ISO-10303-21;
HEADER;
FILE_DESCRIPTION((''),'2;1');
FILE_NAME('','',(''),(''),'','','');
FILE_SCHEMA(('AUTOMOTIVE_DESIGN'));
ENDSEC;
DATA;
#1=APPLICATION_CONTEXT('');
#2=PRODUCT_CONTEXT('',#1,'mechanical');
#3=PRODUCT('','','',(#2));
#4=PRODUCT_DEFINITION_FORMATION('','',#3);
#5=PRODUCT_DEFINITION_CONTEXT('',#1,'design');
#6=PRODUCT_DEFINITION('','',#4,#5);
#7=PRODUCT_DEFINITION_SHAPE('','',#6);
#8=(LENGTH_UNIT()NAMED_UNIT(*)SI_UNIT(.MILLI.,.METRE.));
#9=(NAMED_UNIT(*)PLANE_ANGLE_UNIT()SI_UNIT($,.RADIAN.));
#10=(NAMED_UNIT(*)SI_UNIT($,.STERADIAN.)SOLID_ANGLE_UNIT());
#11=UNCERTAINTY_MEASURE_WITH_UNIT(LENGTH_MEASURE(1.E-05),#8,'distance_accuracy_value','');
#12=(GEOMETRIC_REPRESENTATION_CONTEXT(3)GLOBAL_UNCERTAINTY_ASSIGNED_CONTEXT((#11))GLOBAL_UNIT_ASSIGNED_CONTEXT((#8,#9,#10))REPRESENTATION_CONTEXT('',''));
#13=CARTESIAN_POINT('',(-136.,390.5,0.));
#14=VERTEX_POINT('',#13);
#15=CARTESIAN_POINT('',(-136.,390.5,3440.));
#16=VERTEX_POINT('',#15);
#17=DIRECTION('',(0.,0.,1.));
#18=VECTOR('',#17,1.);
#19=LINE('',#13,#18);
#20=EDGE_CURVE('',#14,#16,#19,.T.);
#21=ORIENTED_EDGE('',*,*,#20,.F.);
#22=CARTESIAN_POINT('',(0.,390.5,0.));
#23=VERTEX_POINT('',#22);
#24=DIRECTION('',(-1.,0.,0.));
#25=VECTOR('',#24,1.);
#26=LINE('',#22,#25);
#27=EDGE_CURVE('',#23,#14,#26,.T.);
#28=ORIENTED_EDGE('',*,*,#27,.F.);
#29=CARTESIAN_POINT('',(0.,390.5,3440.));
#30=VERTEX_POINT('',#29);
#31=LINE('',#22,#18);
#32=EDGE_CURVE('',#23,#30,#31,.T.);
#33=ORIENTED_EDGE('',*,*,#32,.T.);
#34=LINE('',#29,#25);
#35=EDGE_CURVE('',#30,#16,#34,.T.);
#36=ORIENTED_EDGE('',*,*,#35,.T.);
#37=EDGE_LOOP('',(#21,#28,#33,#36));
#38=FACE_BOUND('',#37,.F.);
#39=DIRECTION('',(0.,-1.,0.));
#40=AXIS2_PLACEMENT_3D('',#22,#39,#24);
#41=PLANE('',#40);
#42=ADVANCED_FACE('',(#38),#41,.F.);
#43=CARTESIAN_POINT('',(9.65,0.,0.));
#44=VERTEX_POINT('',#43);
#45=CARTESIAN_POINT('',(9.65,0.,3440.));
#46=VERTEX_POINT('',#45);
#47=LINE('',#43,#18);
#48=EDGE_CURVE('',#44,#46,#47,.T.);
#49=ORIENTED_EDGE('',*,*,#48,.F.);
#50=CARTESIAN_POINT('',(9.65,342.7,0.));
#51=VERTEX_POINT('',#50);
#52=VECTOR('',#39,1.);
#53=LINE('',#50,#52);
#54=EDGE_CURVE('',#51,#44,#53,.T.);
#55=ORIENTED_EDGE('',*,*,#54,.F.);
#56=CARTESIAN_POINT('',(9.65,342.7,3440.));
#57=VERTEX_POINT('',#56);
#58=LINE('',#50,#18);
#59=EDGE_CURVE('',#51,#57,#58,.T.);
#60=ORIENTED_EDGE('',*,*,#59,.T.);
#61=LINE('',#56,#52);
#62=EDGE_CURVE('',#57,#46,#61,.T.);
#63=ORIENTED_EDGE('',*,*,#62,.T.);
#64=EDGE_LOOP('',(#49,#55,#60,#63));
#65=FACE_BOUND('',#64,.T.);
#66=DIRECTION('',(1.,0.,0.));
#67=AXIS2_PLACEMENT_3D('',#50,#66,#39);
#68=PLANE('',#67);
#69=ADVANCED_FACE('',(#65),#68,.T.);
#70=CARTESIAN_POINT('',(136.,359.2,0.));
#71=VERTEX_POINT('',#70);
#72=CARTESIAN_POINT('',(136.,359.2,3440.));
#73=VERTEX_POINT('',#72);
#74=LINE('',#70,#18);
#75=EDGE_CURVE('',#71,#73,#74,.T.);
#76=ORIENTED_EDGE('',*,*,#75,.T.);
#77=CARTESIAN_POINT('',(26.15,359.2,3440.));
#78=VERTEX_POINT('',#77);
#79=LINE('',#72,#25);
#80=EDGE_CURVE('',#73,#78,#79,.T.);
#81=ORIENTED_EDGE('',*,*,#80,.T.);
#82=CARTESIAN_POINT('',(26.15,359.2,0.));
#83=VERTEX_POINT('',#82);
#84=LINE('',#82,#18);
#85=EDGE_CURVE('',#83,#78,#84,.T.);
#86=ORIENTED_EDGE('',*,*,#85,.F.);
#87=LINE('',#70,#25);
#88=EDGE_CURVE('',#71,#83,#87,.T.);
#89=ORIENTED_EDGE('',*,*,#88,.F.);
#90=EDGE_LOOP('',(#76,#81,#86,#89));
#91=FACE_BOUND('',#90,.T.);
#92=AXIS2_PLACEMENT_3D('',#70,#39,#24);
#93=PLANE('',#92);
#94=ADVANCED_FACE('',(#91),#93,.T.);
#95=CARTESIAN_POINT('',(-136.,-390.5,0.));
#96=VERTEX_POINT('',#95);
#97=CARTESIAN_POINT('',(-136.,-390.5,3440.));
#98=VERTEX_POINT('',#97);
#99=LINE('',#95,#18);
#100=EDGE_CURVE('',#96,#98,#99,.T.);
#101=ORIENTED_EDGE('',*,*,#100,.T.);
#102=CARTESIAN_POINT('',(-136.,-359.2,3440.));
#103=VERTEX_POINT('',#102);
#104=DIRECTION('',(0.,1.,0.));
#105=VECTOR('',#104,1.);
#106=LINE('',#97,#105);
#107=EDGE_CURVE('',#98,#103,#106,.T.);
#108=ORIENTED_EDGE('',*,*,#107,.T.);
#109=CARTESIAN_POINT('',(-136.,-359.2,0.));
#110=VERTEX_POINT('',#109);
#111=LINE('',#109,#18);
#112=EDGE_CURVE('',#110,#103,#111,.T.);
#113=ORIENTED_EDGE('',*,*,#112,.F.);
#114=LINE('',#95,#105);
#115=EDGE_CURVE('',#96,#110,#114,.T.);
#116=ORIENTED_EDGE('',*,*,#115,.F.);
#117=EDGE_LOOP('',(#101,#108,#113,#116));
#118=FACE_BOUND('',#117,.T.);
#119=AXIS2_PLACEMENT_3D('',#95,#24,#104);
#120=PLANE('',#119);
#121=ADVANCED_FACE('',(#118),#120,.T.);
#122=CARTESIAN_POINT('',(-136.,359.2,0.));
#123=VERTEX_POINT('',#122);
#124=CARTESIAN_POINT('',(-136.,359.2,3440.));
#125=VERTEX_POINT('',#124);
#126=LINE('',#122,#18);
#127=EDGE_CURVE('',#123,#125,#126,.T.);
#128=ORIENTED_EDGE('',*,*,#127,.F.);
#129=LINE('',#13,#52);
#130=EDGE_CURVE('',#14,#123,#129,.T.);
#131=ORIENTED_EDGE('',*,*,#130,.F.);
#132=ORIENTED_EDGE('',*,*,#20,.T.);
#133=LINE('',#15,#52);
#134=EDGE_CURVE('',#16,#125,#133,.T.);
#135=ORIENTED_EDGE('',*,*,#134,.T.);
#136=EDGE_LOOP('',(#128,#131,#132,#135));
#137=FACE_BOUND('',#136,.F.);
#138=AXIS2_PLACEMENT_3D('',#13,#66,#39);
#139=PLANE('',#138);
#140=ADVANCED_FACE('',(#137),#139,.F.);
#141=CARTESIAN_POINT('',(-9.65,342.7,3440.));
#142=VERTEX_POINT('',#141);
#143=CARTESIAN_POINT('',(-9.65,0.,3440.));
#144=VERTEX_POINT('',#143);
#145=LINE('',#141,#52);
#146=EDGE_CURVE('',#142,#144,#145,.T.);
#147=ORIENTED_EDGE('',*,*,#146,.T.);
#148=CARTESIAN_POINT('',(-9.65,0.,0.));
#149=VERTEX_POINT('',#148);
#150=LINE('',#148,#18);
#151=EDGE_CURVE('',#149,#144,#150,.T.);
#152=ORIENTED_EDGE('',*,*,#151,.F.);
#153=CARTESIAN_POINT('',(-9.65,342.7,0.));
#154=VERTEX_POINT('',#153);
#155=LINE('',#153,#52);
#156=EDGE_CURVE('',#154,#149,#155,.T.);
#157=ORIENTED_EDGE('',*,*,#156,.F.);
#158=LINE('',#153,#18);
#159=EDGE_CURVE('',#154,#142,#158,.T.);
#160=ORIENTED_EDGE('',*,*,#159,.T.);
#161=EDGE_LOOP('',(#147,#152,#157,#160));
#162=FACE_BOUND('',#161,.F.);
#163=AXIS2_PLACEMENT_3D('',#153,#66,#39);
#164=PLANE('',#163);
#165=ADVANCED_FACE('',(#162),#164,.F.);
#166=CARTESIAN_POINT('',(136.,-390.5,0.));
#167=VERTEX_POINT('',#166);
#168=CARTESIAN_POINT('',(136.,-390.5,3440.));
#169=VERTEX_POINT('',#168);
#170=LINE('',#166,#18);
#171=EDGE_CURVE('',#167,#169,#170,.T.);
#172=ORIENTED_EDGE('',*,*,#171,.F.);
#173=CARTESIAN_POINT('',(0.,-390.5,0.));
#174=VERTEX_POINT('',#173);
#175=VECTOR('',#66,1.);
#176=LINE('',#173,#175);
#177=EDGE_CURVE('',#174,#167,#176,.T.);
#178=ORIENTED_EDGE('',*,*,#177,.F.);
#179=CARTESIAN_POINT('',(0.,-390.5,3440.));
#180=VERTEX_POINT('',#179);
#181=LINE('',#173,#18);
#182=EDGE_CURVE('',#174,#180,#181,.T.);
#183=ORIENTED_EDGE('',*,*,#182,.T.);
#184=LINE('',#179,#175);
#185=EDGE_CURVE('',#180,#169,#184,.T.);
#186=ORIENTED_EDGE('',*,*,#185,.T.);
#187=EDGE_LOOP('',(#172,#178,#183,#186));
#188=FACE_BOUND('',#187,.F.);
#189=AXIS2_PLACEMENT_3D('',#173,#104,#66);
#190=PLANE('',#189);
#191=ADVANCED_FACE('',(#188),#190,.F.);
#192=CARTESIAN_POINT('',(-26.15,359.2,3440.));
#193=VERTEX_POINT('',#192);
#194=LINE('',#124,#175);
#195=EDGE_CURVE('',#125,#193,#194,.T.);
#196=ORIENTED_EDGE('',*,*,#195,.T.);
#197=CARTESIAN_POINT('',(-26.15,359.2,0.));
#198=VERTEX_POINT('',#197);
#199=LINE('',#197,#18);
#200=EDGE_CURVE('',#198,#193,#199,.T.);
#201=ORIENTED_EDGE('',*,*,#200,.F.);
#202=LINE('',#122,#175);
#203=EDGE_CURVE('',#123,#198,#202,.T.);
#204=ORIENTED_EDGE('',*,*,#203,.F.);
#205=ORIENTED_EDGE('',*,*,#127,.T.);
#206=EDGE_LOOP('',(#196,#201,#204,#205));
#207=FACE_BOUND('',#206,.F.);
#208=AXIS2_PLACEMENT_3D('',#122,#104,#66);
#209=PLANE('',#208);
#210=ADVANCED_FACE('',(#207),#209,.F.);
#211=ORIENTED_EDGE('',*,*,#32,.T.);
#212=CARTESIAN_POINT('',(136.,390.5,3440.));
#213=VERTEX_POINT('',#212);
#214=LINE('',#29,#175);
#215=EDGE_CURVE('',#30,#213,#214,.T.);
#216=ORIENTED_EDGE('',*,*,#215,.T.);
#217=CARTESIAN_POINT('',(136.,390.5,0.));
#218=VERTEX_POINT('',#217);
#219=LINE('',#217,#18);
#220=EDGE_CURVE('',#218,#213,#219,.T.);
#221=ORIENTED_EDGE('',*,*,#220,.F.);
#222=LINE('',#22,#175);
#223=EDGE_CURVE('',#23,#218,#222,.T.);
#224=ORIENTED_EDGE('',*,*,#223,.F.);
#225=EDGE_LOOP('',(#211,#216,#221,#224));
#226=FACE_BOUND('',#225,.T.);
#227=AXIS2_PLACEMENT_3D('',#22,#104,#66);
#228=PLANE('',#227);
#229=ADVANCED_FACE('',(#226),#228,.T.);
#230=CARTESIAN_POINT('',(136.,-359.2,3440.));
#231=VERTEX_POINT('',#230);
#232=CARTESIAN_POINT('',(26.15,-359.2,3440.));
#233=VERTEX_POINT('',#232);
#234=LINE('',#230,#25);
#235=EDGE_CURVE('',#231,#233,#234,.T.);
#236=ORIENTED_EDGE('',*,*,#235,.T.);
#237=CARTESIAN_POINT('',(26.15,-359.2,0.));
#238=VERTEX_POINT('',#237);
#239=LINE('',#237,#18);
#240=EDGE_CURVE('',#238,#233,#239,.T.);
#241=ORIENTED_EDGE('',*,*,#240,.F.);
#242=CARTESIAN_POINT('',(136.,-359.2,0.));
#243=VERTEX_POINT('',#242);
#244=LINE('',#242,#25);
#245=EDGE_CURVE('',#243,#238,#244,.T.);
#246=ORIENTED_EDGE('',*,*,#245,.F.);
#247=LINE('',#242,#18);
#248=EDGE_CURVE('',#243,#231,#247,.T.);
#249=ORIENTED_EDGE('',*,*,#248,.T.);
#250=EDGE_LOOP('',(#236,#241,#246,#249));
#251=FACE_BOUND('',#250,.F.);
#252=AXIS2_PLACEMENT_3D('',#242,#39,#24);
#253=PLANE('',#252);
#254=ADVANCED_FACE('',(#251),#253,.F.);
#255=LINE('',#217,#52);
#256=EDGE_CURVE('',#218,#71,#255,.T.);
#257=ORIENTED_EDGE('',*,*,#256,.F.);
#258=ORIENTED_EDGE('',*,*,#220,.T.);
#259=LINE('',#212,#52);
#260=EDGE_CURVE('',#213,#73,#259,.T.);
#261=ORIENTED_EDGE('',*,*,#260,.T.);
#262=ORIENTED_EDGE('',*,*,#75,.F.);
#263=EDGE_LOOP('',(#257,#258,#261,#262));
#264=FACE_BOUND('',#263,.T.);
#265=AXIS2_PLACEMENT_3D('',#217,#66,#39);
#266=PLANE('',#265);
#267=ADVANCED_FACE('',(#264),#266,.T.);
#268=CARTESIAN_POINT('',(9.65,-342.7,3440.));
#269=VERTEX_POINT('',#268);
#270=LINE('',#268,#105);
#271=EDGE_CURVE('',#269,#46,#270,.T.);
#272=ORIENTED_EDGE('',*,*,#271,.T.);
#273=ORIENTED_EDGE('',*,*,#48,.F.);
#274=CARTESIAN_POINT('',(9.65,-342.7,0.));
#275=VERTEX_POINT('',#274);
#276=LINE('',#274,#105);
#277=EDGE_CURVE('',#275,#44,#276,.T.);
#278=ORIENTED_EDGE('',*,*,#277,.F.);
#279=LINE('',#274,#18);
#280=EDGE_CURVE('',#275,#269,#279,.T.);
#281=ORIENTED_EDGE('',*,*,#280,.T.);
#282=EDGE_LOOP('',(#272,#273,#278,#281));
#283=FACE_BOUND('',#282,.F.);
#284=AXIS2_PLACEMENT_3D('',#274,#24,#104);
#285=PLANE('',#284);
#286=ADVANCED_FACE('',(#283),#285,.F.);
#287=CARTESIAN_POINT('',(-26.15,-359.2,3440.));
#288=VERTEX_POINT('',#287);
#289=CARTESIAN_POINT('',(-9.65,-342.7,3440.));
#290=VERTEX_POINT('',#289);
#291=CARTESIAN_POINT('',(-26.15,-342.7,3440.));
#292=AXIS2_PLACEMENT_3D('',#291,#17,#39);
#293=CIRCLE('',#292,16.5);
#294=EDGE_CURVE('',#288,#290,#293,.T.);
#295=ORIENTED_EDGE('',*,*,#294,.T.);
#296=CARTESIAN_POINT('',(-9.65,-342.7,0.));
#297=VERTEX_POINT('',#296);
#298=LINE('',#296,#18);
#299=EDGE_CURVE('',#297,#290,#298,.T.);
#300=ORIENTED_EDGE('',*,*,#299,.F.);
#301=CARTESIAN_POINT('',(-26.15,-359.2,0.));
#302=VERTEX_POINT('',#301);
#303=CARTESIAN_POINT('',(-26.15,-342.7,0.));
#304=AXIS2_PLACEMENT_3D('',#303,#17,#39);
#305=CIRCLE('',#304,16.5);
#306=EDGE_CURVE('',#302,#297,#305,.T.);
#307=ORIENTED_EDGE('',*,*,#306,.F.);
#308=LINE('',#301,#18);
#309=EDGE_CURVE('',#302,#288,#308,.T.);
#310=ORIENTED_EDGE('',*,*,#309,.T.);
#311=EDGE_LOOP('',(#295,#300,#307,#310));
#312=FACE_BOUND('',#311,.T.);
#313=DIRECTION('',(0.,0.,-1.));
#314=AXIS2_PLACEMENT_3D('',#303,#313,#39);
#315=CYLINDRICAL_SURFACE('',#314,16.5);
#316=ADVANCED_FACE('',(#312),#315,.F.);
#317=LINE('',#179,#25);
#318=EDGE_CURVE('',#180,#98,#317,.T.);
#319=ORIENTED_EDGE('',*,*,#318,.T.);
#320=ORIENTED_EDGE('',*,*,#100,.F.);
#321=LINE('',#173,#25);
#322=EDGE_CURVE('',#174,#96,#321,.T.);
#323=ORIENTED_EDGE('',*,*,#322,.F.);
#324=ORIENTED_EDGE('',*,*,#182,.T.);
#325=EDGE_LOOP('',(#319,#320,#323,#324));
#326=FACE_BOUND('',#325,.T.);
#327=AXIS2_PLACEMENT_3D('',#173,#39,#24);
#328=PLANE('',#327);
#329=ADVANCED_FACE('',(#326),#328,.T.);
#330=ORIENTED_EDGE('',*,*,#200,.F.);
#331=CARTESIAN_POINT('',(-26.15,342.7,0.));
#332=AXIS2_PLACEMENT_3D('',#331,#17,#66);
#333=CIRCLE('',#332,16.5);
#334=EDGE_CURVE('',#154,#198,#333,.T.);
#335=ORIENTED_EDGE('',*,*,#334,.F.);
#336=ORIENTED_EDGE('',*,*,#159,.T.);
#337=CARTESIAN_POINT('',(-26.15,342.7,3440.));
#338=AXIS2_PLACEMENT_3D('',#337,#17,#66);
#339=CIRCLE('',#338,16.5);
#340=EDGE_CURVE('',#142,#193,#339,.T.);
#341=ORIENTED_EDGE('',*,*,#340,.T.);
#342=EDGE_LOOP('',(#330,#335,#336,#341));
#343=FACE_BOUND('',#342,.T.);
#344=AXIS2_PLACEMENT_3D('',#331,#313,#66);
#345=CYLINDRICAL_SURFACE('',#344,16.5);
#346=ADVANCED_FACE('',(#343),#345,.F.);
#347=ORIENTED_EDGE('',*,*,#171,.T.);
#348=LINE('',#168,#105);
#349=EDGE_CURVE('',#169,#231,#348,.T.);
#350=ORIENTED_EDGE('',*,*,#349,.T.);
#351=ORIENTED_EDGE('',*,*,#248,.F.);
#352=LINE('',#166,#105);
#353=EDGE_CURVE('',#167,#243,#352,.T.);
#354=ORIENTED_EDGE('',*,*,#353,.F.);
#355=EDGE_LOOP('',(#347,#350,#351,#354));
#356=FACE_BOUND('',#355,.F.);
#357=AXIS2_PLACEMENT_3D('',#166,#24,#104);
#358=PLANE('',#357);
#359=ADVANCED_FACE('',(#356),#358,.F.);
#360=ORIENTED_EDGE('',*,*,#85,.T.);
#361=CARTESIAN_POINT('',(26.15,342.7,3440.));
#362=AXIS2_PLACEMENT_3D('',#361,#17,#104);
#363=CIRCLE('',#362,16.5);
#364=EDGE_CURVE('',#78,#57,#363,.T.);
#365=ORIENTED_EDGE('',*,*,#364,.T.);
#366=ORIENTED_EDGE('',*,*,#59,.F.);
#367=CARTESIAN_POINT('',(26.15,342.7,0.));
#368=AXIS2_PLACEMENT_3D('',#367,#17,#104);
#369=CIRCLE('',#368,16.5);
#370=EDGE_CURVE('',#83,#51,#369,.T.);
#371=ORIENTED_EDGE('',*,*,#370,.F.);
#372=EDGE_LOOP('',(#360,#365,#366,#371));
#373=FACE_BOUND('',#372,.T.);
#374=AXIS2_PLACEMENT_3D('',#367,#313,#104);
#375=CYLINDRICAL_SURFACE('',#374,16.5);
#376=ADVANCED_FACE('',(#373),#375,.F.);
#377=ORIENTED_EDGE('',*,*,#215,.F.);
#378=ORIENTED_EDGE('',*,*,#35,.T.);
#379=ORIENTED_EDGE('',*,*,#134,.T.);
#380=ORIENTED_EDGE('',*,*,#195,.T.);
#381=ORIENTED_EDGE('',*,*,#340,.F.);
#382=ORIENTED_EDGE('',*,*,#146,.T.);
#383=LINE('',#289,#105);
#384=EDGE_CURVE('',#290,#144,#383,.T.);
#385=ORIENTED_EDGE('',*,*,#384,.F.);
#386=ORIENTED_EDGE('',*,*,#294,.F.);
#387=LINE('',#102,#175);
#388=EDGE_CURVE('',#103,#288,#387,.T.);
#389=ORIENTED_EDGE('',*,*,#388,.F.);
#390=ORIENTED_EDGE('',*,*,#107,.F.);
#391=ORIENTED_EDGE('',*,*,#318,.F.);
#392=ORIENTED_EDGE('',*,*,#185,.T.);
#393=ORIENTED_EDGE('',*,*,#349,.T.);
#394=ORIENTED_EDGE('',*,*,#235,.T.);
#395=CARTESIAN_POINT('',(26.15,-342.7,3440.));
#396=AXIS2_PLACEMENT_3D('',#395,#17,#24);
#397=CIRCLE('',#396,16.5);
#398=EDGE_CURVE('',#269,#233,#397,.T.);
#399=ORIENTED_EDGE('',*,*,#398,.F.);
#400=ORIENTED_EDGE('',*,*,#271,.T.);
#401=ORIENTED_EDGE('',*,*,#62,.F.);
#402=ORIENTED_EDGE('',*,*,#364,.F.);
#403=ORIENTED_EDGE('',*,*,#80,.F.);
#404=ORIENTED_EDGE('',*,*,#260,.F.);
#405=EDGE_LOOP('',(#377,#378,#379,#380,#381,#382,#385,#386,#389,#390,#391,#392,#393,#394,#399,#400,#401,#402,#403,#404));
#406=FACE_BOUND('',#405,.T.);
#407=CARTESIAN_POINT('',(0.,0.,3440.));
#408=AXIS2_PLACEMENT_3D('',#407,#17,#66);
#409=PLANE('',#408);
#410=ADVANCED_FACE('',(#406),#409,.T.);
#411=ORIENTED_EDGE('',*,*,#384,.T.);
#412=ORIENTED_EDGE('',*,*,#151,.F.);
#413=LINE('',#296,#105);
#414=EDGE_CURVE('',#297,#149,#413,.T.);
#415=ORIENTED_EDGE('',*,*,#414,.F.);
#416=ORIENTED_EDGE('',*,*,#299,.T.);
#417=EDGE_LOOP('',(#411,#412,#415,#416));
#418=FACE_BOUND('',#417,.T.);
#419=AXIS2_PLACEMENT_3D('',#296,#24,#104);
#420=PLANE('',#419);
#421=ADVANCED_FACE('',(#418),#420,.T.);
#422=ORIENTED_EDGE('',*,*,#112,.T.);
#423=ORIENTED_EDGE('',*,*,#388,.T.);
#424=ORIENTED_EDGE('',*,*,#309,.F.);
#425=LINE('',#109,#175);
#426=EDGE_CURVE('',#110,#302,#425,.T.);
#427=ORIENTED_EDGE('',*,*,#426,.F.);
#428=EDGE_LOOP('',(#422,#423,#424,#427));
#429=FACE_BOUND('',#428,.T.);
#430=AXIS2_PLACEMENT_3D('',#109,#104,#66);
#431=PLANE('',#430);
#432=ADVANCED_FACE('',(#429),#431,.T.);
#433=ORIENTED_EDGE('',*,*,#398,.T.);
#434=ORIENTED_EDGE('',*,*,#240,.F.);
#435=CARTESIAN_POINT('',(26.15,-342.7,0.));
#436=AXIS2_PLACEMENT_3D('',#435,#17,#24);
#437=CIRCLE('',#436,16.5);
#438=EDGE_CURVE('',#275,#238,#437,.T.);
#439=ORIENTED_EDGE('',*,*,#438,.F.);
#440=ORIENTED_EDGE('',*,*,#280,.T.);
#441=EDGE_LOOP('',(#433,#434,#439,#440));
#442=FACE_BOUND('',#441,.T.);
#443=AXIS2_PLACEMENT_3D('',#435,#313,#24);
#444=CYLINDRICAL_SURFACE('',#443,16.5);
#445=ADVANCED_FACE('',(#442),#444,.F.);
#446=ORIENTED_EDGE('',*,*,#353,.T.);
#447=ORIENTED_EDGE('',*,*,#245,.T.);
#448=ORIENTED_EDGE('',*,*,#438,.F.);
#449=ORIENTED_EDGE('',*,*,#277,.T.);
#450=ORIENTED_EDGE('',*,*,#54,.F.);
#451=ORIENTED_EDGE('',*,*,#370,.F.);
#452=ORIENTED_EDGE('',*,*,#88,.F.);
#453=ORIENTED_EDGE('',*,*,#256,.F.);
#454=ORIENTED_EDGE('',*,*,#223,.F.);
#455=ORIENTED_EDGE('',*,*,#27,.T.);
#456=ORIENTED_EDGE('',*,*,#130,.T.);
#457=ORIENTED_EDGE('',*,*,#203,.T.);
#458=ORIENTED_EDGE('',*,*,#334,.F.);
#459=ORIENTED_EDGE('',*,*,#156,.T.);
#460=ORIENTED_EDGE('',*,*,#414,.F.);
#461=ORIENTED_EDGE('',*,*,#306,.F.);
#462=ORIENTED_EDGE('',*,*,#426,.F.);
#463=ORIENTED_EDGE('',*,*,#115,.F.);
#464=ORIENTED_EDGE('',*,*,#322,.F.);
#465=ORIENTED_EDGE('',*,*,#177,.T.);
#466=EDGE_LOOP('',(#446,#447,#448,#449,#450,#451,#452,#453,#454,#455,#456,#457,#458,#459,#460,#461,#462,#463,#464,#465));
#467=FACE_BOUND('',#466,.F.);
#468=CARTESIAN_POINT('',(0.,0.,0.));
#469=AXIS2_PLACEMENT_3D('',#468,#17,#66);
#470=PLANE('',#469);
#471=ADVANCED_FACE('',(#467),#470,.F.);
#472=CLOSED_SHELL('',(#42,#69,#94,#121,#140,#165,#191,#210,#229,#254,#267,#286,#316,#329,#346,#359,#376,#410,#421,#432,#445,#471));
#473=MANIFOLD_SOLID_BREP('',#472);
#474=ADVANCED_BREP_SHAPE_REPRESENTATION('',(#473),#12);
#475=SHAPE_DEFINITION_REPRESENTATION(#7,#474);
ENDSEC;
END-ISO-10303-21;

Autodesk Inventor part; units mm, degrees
ref_plane "YZ Plane" through (0, 0, 0) normal (1, 0, 0) x (0, 1, 0)
ref_plane "Start plane" through (0, 0, 0) normal (0, 0, 1) x (1, 0, 0)
ref_plane "End plane" through (0, 0, 3440) normal (0, 0, 1) x (1, 0, 0)
sketch "Sketch" plane through (0, 0, 0) normal (0, 0, 1) x (1, 0, 0)
  line L0 (-136, -390.5) -> (-136, -359.2)
  line L1 (-136, -359.2) -> (-26.15, -359.2)
  line L2 (-9.65, -342.7) -> (-9.65, 0)
  line L3 (-9.65, 0) -> (0, 0) construction
  line L4 (0, 0) -> (0, -390.5) construction
  line L5 (0, -390.5) -> (-136, -390.5)
  line L6 (-60, 0) -> (80, 0) construction
  line L7 (0, -60) -> (0, 80) construction
  line L8 (136, -390.5) -> (136, -359.2)
  line L9 (136, -359.2) -> (26.15, -359.2)
  line L10 (9.65, -342.7) -> (9.65, 0)
  line L11 (9.65, 0) -> (0, 0) construction
  line L12 (0, -390.5) -> (136, -390.5)
  line L13 (-136, 390.5) -> (-136, 359.2)
  line L14 (-136, 359.2) -> (-26.15, 359.2)
  line L15 (-9.65, 342.7) -> (-9.65, 0)
  line L16 (0, 390.5) -> (-136, 390.5)
  line L17 (136, 390.5) -> (136, 359.2)
  line L18 (136, 359.2) -> (26.15, 359.2)
  line L19 (0, 390.5) -> (136, 390.5)
  line L20 (9.65, 342.7) -> (9.65, 0)
  arc A0 (-9.65, 342.7) -> (-26.15, 359.2) centre (-26.15, 342.7) ccw
  arc A1 (26.15, 359.2) -> (9.65, 342.7) centre (26.15, 342.7) ccw
  arc A2 (9.65, -342.7) -> (26.15, -359.2) centre (26.15, -342.7) ccw
  arc A3 (-26.15, -359.2) -> (-9.65, -342.7) centre (-26.15, -342.7) ccw
  line L21 (0, 108) -> (0, -88) construction
  line L22 (-88, 0) -> (108, 0) construction
  point P0 (-9.65, -359.2)
  point P1 (9.65, -359.2)
  point P2 (-9.65, 359.2)
  point P3 (9.65, 359.2)
  dimension "d1" = 390.5
  dimension "d2" = 31.3
  dimension "d3" = 136
  dimension "d4" = 9.65
  dimension "d10" = 16.5
extrude "Body" add sketch "Sketch" along normal up to surface (3440 mm away) from surface at 0
sketch "Sketch4" plane through (0, 0, 0) normal (0, 0, 1) x (1, 0, 0)
  line L0 (0, 0) -> (10, 0)
ref_plane "Work Plane3" through (0, 0, 0) normal (0, -1, 0) x (1, 0, 0)
sketch "Sketch5" plane through (0, 0, 0) normal (0, -1, 0) x (1, 0, 0)
  line L0 (-2, 0) -> (12, 0) projected
  line L1 (-2, 3440) -> (12, 3440) projected
  dimension "d14" = 3440
equation "\"d1\" = 0.5 * G_H"
equation "\"d2\" = G_T1"
equation "\"d3\" = 0.5 * G_W"
equation "\"d4\" = 0.5 * G_T"
equation "\"d10\" = G_IR"
equation "\"d5\" = G_L"
equation "\"G_W\" = 272"
equation "\"G_H\" = 781"
equation "\"G_T\" = 19.3"
equation "\"G_T1\" = 31.3"
equation "\"G_IR\" = 16.5"
equation "\"G_L\" = d14"
equation "\"G_OFFSET_START\" = 0"
equation "\"G_OFFSET_END\" = 0"
properties part number "AS 3679-1990 - 760 UB - 244 - 3440" material "Steel, Mild"
